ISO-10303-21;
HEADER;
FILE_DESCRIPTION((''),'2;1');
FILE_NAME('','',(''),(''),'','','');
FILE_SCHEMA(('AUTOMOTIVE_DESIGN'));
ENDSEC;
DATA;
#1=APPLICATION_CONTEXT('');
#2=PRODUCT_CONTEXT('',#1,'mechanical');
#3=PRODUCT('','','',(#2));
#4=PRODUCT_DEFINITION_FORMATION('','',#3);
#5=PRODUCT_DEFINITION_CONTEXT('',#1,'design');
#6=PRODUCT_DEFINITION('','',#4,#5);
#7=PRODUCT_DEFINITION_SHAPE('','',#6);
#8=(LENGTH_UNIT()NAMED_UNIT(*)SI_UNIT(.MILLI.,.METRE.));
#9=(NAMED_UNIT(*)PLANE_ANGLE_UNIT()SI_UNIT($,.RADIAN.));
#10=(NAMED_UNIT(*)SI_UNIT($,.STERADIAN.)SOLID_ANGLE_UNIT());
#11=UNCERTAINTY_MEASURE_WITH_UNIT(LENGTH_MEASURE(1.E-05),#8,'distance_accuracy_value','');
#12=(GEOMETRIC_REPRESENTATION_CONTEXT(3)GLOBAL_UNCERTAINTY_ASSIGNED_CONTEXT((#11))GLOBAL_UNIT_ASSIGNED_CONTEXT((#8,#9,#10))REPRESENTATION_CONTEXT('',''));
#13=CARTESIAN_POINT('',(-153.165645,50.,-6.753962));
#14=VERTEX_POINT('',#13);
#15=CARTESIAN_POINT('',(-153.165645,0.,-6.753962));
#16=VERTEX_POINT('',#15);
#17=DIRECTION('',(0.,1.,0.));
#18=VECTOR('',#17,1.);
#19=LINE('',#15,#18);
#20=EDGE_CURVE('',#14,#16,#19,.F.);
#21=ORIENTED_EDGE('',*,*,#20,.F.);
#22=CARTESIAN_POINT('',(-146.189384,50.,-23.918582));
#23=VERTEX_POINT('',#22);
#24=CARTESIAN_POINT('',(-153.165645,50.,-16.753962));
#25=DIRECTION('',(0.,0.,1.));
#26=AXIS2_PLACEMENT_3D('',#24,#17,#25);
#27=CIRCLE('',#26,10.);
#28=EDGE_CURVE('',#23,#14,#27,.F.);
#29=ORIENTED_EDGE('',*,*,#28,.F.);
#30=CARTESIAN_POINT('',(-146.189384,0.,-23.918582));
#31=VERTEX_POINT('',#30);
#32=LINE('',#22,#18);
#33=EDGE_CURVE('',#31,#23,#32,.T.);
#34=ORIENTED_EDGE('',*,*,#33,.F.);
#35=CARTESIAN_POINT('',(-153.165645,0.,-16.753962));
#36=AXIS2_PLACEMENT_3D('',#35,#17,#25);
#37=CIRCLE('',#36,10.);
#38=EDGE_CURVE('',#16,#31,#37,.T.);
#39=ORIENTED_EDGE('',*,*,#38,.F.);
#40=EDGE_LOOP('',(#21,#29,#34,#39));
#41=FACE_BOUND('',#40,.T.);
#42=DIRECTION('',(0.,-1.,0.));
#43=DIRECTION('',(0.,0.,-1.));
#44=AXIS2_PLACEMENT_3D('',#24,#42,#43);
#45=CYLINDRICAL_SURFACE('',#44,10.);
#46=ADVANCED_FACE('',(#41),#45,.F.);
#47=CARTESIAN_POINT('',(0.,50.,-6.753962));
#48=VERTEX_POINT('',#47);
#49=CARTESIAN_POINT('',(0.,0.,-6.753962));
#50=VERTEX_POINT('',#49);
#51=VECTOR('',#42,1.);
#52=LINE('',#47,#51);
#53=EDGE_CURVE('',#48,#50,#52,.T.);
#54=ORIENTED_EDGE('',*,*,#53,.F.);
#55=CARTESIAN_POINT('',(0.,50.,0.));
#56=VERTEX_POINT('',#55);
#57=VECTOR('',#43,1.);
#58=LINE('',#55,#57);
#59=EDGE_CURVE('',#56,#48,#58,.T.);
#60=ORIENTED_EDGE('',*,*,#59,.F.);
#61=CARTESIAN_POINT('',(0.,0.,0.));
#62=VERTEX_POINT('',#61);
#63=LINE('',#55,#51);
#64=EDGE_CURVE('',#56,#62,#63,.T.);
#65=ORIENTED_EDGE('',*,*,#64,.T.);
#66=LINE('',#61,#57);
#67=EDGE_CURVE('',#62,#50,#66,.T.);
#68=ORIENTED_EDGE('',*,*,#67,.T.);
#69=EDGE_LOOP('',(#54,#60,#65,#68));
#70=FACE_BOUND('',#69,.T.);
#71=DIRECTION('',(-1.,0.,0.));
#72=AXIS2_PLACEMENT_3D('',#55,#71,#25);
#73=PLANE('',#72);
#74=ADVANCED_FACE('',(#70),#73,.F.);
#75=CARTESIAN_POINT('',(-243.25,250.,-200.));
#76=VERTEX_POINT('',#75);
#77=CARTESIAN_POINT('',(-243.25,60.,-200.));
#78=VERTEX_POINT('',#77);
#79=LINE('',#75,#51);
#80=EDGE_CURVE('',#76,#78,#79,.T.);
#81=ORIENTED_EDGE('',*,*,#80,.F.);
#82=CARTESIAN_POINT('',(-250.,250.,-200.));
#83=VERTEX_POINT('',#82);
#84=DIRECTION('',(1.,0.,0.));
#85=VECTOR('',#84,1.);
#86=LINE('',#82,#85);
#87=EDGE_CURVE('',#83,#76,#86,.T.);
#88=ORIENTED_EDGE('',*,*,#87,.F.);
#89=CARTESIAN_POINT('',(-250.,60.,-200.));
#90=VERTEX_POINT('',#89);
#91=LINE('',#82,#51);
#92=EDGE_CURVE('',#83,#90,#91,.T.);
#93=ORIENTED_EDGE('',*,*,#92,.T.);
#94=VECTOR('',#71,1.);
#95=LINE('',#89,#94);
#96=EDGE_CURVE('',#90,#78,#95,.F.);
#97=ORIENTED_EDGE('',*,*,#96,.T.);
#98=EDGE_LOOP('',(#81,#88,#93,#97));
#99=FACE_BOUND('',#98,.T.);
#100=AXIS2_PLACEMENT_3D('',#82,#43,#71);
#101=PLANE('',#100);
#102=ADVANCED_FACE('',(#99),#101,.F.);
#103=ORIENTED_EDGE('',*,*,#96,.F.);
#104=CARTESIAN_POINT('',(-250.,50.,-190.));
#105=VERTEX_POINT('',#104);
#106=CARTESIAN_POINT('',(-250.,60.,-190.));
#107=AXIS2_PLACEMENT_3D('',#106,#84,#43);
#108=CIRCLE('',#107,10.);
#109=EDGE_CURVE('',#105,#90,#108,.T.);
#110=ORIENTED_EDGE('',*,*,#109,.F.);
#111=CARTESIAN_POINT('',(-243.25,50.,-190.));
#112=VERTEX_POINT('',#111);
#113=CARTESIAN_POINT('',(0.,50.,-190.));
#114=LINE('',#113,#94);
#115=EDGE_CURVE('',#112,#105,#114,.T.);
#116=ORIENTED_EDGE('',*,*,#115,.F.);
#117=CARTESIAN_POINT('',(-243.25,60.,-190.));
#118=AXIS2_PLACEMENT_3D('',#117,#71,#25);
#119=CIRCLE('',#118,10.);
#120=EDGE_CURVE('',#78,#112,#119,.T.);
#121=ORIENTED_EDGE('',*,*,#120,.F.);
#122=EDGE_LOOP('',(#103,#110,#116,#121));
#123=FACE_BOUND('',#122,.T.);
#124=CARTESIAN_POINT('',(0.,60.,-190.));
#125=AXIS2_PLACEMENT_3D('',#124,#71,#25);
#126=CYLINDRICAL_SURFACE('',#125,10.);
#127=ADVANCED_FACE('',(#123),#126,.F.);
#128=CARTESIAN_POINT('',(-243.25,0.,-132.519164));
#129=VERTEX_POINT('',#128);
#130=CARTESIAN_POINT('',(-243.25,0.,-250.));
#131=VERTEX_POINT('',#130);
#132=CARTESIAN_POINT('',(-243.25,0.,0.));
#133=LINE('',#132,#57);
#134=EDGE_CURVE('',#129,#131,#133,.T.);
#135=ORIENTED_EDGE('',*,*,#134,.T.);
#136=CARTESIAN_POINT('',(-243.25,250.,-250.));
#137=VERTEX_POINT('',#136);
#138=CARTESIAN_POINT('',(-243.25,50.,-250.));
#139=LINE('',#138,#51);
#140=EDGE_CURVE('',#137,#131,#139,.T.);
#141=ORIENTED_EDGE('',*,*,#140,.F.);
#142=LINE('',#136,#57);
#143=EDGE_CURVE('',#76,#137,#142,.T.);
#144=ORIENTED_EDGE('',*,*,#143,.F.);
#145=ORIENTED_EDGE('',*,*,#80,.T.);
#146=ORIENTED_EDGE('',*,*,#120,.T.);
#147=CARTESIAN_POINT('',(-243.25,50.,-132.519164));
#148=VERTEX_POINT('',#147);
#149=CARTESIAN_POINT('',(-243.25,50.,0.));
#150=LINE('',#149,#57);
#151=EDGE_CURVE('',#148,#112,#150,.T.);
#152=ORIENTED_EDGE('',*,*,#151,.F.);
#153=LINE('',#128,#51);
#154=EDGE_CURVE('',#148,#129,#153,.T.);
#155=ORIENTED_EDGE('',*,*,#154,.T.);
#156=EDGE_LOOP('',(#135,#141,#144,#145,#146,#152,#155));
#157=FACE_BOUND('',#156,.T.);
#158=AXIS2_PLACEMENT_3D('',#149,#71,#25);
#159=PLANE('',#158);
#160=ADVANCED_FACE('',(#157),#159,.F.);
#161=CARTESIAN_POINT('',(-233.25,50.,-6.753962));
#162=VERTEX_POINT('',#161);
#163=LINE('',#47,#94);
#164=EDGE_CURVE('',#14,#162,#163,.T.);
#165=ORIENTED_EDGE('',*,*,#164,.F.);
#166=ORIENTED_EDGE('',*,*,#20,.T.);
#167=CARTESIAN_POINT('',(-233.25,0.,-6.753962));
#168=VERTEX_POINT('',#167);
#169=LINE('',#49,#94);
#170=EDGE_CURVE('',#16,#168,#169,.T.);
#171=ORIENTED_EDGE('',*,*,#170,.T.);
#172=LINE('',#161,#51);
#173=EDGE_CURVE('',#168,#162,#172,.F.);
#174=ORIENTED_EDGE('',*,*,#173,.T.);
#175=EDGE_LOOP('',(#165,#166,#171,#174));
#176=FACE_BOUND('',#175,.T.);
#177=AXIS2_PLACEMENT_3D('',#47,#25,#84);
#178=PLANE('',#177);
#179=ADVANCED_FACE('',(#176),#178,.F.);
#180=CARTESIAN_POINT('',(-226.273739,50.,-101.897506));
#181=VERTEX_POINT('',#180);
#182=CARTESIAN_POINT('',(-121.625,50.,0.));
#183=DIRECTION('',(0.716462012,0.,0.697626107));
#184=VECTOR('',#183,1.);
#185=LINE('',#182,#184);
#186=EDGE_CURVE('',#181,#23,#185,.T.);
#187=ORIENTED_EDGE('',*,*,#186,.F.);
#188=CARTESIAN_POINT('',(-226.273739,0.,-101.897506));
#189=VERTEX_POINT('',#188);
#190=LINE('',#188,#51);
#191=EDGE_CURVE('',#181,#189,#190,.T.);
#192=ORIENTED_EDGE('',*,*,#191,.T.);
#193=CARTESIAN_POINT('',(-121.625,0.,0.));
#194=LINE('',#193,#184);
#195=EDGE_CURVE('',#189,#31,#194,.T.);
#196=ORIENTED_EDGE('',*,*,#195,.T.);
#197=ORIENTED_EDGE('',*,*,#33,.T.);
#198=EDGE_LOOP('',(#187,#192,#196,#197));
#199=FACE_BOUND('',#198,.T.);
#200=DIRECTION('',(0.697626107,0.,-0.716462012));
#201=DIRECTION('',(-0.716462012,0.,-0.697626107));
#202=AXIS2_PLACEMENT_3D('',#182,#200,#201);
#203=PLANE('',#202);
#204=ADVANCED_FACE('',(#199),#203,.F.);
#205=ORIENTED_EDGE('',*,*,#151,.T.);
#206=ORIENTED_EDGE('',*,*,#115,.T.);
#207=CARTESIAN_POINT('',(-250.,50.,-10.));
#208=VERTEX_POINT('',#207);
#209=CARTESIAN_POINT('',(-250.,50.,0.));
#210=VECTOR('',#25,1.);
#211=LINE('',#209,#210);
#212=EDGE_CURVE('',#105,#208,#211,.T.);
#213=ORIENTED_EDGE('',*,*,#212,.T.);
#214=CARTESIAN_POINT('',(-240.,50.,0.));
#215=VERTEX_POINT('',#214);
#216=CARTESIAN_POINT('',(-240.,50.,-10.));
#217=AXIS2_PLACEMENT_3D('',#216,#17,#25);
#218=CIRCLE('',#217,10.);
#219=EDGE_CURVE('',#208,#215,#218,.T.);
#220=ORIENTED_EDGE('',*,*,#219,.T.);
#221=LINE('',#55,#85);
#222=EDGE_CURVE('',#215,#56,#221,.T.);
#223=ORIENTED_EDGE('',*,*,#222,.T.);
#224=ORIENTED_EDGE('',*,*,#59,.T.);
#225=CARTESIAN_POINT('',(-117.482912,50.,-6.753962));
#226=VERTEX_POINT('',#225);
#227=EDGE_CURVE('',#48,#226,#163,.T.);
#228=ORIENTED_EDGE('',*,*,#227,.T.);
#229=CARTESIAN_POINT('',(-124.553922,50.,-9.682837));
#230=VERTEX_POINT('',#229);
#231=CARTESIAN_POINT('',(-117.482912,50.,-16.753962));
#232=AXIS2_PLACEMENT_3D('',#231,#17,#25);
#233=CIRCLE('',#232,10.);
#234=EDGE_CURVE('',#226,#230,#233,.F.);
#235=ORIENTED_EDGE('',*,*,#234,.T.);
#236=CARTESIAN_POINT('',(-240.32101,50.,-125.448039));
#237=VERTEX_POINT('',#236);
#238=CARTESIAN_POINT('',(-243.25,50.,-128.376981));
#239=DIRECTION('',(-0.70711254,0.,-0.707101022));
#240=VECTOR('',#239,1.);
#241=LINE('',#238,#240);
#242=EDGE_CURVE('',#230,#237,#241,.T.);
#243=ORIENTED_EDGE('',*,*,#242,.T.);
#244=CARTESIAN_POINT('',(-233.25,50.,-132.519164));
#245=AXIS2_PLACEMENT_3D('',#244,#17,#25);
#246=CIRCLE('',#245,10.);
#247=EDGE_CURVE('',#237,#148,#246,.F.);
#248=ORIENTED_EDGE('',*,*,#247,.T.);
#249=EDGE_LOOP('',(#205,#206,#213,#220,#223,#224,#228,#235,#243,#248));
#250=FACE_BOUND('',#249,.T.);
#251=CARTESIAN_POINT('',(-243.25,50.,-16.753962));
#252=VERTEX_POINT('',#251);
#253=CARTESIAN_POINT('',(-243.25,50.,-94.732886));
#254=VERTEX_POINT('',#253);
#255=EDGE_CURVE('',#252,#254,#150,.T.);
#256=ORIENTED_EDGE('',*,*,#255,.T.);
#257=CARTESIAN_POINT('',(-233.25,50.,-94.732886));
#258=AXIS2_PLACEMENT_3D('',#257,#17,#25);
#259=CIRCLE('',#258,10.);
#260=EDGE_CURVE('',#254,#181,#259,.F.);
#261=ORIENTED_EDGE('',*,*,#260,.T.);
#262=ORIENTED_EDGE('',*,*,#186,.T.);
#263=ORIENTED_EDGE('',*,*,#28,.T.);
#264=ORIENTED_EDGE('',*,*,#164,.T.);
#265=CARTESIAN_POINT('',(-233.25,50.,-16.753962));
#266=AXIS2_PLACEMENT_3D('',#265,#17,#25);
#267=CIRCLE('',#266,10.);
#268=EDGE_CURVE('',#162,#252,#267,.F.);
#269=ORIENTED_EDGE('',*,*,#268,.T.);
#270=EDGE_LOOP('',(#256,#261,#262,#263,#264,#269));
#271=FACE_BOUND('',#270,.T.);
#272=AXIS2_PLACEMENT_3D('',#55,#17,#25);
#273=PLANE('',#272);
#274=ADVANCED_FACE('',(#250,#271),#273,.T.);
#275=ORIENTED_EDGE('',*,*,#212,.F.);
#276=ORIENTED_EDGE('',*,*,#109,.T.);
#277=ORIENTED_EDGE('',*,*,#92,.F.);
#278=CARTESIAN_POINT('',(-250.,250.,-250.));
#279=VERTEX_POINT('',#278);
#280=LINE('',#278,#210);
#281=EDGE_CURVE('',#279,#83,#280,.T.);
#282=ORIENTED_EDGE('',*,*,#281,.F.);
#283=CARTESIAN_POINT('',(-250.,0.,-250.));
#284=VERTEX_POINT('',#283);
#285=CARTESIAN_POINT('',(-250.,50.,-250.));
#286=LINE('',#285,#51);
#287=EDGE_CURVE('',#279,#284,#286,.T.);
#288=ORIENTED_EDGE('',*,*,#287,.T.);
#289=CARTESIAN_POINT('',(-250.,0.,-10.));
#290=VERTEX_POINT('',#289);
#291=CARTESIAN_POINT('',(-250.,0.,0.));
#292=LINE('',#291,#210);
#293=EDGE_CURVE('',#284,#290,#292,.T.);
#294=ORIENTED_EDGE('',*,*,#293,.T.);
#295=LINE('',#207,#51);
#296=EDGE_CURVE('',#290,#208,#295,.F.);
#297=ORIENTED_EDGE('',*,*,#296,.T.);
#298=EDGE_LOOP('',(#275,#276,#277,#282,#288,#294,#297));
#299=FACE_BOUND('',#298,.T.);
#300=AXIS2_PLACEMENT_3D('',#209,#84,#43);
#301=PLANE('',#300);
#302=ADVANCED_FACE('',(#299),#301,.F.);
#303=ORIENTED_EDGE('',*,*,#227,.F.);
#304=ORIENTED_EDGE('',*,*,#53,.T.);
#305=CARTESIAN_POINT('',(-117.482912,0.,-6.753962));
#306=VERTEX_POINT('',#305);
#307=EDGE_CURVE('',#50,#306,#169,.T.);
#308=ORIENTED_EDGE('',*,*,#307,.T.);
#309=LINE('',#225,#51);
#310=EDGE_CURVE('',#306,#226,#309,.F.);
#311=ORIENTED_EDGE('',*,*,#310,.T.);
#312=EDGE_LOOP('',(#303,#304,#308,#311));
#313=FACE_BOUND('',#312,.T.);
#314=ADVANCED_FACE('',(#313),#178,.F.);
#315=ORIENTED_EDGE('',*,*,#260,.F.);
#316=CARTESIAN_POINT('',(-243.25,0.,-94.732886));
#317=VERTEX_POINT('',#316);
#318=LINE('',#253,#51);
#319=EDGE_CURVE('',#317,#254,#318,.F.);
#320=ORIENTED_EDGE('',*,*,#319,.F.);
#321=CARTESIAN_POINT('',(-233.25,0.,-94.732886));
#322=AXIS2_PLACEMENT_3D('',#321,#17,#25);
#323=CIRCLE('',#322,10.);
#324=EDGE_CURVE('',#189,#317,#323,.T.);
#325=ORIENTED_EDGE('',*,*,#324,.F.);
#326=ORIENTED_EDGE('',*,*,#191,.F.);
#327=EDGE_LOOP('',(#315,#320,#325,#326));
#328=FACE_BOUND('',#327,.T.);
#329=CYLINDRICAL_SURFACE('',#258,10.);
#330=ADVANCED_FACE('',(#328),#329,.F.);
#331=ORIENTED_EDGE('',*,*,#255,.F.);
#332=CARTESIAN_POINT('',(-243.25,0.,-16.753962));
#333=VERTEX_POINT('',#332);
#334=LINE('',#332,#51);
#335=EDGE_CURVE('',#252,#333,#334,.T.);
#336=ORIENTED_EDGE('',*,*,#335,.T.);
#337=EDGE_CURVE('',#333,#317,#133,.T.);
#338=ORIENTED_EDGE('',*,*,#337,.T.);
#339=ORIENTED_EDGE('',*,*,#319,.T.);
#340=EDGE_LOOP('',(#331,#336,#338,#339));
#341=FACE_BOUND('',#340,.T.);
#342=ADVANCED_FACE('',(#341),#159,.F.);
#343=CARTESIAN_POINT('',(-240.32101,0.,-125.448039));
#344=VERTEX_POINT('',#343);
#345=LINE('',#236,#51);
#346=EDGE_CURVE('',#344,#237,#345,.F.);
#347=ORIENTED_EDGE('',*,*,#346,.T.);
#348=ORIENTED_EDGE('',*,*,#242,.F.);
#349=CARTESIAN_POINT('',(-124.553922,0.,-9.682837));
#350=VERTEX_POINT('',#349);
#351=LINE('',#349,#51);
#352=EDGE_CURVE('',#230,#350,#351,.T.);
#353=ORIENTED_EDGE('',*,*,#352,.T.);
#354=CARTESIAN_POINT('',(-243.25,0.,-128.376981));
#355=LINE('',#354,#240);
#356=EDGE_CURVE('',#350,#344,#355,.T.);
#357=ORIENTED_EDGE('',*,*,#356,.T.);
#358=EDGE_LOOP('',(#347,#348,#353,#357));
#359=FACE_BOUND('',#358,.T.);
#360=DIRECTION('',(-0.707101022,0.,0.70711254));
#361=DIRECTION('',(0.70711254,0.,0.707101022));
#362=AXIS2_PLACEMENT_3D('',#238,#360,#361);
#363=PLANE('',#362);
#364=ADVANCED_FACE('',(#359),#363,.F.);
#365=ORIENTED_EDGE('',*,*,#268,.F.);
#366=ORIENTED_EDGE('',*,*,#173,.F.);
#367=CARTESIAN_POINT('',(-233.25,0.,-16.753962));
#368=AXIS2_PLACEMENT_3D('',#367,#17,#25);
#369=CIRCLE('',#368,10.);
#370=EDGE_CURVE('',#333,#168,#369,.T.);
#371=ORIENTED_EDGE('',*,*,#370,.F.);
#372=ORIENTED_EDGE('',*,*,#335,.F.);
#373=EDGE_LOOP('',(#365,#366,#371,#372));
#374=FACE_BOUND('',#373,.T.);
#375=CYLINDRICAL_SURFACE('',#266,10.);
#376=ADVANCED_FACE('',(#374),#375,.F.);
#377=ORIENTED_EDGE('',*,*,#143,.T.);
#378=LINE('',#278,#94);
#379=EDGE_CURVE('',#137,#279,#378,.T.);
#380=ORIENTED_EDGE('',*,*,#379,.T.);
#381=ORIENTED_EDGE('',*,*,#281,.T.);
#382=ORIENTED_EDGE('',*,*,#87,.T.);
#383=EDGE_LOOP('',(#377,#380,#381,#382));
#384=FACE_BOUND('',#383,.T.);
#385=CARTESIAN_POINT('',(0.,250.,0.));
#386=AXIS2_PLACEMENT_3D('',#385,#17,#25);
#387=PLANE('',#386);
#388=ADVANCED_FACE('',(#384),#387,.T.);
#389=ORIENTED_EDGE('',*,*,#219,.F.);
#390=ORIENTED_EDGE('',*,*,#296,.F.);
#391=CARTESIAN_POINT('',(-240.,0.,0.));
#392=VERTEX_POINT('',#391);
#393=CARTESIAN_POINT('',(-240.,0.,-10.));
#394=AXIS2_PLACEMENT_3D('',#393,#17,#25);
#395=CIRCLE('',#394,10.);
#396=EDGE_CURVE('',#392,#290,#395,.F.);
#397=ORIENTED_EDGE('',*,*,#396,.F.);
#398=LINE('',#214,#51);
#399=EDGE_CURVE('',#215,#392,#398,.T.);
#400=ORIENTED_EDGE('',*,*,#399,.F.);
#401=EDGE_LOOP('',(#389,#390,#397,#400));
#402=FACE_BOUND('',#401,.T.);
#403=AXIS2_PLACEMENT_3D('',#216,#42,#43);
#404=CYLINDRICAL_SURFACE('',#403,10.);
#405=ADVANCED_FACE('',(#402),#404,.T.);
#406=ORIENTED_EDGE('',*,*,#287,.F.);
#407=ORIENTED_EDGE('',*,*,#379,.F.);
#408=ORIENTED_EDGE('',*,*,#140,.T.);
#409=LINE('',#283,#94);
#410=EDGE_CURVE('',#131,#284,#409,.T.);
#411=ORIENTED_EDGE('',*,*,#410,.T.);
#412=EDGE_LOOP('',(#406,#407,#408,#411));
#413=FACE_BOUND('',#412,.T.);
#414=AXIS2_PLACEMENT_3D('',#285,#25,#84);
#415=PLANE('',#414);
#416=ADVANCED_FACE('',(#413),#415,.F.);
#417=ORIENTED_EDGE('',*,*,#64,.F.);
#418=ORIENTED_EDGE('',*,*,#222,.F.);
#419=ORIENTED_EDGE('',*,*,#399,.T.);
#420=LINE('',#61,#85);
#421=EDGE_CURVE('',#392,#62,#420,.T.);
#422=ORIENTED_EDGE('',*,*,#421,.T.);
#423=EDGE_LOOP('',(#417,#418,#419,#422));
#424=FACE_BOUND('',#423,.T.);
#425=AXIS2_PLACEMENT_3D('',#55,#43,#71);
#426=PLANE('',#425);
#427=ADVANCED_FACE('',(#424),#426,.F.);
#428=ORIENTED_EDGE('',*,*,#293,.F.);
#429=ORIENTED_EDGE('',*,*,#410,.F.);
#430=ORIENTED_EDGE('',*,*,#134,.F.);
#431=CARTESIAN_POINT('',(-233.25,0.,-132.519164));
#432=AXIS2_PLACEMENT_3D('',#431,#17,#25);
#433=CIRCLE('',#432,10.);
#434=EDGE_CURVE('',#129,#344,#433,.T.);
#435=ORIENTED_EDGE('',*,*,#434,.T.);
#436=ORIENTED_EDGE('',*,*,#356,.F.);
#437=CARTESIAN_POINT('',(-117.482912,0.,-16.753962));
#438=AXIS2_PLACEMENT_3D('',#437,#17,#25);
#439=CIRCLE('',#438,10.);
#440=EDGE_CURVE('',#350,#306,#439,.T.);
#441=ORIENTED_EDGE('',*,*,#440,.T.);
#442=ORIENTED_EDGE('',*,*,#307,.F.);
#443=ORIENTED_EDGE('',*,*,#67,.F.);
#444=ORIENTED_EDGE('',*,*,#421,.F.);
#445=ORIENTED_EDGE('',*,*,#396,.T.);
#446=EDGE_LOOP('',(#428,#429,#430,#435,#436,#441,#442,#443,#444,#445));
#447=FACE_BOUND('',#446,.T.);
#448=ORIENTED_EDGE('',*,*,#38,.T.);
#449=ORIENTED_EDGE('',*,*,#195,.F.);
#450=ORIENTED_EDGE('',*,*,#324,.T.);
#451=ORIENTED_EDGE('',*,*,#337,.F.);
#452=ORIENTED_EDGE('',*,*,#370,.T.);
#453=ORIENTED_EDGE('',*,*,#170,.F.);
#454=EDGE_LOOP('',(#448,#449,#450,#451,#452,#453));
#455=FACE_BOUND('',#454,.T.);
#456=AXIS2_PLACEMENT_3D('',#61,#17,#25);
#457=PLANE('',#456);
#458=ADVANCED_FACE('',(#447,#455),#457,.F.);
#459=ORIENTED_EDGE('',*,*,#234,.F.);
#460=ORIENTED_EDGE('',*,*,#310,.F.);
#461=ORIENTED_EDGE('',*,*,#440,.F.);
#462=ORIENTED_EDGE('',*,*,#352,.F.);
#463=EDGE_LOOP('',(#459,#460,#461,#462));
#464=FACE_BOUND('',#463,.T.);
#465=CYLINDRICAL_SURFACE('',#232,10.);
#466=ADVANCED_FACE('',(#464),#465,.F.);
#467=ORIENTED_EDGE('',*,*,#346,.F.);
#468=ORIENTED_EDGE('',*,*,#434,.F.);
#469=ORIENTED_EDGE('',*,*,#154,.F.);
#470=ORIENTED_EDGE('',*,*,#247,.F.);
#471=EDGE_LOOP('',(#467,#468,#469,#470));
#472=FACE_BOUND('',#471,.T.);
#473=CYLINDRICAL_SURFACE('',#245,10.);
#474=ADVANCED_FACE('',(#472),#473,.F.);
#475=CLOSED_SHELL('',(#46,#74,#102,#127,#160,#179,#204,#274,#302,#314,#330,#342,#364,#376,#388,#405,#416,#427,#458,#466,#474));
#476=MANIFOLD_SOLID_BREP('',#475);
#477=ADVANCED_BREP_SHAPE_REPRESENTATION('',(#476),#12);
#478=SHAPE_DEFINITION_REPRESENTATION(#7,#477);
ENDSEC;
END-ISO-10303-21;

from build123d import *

# Parameters (mm, degrees)
SKETCH1_W           = 250
SKETCH1_H           = 6.75396212
BOSS_EXTRUDE2_DEPTH = 50
SKETCH2_W           = 6.75
SKETCH2_H           = 250
BOSS_EXTRUDE3_DEPTH = 50
BOSS_EXTRUDE4_DEPTH = 50
FILLET1_R           = 10
FILLET2_R           = 10
FILLET3_R           = 10
FILLET4_R           = 10
FILLET5_R           = 10
FILLET6_R           = 10
SKETCH5_W           = 6.75
SKETCH5_H           = 50
BOSS_EXTRUDE5_DEPTH = 250
FILLET7_R           = 10


with BuildPart() as part:
    # Sketch1 → Boss-Extrude2 (new body)
    with BuildSketch(Plane(origin=(0, 0, 0), x_dir=(1, 0, 0), z_dir=(0, 1, 0))):
        with Locations((-125, 3.37698106)):
            Rectangle(SKETCH1_W, SKETCH1_H)
    extrude(amount=BOSS_EXTRUDE2_DEPTH)

    # Sketch2 → Boss-Extrude3 (add)
    with BuildSketch(Plane(origin=(0, 0, 0), x_dir=(1, 0, 0), z_dir=(0, 1, 0))):
        with Locations((-246.625, 125)):
            Rectangle(SKETCH2_W, SKETCH2_H)
    extrude(amount=BOSS_EXTRUDE3_DEPTH)

    # Sketch3 → Boss-Extrude4 (add)
    with BuildSketch(Plane(origin=(0, 0, 0), x_dir=(1, 0, 0), z_dir=(0, 1, 0))):
        Polygon((-243.25, 128.37698106), (-121.625, 6.75396212), (-121.625, 0), (-250, 125), align=None)
    extrude(amount=BOSS_EXTRUDE4_DEPTH)

    # Fillet1
    fillet1_edges = [part.edges().sort_by_distance(p)[0] for p in [
        (-250, 25, 0),
    ]]
    fillet(fillet1_edges, radius=FILLET1_R)

    # Fillet2
    fillet2_edges = [part.edges().sort_by_distance(p)[0] for p in [
        (-243.25, 25, -6.75396212),
    ]]
    fillet(fillet2_edges, radius=FILLET2_R)

    # Fillet3
    fillet3_edges = [part.edges().sort_by_distance(p)[0] for p in [
        (-243.25, 25, -118.427458617),
    ]]
    fillet(fillet3_edges, radius=FILLET3_R)

    # Fillet4
    fillet4_edges = [part.edges().sort_by_distance(p)[0] for p in [
        (-128.561319097, 25, -6.75396212),
    ]]
    fillet(fillet4_edges, radius=FILLET4_R)

    # Fillet5
    fillet5_edges = [part.edges().sort_by_distance(p)[0] for p in [
        (-121.625, 25, -6.75396212),
    ]]
    fillet(fillet5_edges, radius=FILLET5_R)

    # Fillet6
    fillet6_edges = [part.edges().sort_by_distance(p)[0] for p in [
        (-243.25, 25, -128.37698106),
    ]]
    fillet(fillet6_edges, radius=FILLET6_R)

    # Sketch5 → Boss-Extrude5 (add)
    with BuildSketch(Plane(origin=(0, 0, 0), x_dir=(1, 0, 0), z_dir=(0, 1, 0))):
        with Locations((-246.625, 225)):
            Rectangle(SKETCH5_W, SKETCH5_H)
    extrude(amount=BOSS_EXTRUDE5_DEPTH)

    # Fillet7
    fillet7_edges = [part.edges().sort_by_distance(p)[0] for p in [
        (-246.625, 50, -200),
    ]]
    fillet(fillet7_edges, radius=FILLET7_R)


solid = part.part
